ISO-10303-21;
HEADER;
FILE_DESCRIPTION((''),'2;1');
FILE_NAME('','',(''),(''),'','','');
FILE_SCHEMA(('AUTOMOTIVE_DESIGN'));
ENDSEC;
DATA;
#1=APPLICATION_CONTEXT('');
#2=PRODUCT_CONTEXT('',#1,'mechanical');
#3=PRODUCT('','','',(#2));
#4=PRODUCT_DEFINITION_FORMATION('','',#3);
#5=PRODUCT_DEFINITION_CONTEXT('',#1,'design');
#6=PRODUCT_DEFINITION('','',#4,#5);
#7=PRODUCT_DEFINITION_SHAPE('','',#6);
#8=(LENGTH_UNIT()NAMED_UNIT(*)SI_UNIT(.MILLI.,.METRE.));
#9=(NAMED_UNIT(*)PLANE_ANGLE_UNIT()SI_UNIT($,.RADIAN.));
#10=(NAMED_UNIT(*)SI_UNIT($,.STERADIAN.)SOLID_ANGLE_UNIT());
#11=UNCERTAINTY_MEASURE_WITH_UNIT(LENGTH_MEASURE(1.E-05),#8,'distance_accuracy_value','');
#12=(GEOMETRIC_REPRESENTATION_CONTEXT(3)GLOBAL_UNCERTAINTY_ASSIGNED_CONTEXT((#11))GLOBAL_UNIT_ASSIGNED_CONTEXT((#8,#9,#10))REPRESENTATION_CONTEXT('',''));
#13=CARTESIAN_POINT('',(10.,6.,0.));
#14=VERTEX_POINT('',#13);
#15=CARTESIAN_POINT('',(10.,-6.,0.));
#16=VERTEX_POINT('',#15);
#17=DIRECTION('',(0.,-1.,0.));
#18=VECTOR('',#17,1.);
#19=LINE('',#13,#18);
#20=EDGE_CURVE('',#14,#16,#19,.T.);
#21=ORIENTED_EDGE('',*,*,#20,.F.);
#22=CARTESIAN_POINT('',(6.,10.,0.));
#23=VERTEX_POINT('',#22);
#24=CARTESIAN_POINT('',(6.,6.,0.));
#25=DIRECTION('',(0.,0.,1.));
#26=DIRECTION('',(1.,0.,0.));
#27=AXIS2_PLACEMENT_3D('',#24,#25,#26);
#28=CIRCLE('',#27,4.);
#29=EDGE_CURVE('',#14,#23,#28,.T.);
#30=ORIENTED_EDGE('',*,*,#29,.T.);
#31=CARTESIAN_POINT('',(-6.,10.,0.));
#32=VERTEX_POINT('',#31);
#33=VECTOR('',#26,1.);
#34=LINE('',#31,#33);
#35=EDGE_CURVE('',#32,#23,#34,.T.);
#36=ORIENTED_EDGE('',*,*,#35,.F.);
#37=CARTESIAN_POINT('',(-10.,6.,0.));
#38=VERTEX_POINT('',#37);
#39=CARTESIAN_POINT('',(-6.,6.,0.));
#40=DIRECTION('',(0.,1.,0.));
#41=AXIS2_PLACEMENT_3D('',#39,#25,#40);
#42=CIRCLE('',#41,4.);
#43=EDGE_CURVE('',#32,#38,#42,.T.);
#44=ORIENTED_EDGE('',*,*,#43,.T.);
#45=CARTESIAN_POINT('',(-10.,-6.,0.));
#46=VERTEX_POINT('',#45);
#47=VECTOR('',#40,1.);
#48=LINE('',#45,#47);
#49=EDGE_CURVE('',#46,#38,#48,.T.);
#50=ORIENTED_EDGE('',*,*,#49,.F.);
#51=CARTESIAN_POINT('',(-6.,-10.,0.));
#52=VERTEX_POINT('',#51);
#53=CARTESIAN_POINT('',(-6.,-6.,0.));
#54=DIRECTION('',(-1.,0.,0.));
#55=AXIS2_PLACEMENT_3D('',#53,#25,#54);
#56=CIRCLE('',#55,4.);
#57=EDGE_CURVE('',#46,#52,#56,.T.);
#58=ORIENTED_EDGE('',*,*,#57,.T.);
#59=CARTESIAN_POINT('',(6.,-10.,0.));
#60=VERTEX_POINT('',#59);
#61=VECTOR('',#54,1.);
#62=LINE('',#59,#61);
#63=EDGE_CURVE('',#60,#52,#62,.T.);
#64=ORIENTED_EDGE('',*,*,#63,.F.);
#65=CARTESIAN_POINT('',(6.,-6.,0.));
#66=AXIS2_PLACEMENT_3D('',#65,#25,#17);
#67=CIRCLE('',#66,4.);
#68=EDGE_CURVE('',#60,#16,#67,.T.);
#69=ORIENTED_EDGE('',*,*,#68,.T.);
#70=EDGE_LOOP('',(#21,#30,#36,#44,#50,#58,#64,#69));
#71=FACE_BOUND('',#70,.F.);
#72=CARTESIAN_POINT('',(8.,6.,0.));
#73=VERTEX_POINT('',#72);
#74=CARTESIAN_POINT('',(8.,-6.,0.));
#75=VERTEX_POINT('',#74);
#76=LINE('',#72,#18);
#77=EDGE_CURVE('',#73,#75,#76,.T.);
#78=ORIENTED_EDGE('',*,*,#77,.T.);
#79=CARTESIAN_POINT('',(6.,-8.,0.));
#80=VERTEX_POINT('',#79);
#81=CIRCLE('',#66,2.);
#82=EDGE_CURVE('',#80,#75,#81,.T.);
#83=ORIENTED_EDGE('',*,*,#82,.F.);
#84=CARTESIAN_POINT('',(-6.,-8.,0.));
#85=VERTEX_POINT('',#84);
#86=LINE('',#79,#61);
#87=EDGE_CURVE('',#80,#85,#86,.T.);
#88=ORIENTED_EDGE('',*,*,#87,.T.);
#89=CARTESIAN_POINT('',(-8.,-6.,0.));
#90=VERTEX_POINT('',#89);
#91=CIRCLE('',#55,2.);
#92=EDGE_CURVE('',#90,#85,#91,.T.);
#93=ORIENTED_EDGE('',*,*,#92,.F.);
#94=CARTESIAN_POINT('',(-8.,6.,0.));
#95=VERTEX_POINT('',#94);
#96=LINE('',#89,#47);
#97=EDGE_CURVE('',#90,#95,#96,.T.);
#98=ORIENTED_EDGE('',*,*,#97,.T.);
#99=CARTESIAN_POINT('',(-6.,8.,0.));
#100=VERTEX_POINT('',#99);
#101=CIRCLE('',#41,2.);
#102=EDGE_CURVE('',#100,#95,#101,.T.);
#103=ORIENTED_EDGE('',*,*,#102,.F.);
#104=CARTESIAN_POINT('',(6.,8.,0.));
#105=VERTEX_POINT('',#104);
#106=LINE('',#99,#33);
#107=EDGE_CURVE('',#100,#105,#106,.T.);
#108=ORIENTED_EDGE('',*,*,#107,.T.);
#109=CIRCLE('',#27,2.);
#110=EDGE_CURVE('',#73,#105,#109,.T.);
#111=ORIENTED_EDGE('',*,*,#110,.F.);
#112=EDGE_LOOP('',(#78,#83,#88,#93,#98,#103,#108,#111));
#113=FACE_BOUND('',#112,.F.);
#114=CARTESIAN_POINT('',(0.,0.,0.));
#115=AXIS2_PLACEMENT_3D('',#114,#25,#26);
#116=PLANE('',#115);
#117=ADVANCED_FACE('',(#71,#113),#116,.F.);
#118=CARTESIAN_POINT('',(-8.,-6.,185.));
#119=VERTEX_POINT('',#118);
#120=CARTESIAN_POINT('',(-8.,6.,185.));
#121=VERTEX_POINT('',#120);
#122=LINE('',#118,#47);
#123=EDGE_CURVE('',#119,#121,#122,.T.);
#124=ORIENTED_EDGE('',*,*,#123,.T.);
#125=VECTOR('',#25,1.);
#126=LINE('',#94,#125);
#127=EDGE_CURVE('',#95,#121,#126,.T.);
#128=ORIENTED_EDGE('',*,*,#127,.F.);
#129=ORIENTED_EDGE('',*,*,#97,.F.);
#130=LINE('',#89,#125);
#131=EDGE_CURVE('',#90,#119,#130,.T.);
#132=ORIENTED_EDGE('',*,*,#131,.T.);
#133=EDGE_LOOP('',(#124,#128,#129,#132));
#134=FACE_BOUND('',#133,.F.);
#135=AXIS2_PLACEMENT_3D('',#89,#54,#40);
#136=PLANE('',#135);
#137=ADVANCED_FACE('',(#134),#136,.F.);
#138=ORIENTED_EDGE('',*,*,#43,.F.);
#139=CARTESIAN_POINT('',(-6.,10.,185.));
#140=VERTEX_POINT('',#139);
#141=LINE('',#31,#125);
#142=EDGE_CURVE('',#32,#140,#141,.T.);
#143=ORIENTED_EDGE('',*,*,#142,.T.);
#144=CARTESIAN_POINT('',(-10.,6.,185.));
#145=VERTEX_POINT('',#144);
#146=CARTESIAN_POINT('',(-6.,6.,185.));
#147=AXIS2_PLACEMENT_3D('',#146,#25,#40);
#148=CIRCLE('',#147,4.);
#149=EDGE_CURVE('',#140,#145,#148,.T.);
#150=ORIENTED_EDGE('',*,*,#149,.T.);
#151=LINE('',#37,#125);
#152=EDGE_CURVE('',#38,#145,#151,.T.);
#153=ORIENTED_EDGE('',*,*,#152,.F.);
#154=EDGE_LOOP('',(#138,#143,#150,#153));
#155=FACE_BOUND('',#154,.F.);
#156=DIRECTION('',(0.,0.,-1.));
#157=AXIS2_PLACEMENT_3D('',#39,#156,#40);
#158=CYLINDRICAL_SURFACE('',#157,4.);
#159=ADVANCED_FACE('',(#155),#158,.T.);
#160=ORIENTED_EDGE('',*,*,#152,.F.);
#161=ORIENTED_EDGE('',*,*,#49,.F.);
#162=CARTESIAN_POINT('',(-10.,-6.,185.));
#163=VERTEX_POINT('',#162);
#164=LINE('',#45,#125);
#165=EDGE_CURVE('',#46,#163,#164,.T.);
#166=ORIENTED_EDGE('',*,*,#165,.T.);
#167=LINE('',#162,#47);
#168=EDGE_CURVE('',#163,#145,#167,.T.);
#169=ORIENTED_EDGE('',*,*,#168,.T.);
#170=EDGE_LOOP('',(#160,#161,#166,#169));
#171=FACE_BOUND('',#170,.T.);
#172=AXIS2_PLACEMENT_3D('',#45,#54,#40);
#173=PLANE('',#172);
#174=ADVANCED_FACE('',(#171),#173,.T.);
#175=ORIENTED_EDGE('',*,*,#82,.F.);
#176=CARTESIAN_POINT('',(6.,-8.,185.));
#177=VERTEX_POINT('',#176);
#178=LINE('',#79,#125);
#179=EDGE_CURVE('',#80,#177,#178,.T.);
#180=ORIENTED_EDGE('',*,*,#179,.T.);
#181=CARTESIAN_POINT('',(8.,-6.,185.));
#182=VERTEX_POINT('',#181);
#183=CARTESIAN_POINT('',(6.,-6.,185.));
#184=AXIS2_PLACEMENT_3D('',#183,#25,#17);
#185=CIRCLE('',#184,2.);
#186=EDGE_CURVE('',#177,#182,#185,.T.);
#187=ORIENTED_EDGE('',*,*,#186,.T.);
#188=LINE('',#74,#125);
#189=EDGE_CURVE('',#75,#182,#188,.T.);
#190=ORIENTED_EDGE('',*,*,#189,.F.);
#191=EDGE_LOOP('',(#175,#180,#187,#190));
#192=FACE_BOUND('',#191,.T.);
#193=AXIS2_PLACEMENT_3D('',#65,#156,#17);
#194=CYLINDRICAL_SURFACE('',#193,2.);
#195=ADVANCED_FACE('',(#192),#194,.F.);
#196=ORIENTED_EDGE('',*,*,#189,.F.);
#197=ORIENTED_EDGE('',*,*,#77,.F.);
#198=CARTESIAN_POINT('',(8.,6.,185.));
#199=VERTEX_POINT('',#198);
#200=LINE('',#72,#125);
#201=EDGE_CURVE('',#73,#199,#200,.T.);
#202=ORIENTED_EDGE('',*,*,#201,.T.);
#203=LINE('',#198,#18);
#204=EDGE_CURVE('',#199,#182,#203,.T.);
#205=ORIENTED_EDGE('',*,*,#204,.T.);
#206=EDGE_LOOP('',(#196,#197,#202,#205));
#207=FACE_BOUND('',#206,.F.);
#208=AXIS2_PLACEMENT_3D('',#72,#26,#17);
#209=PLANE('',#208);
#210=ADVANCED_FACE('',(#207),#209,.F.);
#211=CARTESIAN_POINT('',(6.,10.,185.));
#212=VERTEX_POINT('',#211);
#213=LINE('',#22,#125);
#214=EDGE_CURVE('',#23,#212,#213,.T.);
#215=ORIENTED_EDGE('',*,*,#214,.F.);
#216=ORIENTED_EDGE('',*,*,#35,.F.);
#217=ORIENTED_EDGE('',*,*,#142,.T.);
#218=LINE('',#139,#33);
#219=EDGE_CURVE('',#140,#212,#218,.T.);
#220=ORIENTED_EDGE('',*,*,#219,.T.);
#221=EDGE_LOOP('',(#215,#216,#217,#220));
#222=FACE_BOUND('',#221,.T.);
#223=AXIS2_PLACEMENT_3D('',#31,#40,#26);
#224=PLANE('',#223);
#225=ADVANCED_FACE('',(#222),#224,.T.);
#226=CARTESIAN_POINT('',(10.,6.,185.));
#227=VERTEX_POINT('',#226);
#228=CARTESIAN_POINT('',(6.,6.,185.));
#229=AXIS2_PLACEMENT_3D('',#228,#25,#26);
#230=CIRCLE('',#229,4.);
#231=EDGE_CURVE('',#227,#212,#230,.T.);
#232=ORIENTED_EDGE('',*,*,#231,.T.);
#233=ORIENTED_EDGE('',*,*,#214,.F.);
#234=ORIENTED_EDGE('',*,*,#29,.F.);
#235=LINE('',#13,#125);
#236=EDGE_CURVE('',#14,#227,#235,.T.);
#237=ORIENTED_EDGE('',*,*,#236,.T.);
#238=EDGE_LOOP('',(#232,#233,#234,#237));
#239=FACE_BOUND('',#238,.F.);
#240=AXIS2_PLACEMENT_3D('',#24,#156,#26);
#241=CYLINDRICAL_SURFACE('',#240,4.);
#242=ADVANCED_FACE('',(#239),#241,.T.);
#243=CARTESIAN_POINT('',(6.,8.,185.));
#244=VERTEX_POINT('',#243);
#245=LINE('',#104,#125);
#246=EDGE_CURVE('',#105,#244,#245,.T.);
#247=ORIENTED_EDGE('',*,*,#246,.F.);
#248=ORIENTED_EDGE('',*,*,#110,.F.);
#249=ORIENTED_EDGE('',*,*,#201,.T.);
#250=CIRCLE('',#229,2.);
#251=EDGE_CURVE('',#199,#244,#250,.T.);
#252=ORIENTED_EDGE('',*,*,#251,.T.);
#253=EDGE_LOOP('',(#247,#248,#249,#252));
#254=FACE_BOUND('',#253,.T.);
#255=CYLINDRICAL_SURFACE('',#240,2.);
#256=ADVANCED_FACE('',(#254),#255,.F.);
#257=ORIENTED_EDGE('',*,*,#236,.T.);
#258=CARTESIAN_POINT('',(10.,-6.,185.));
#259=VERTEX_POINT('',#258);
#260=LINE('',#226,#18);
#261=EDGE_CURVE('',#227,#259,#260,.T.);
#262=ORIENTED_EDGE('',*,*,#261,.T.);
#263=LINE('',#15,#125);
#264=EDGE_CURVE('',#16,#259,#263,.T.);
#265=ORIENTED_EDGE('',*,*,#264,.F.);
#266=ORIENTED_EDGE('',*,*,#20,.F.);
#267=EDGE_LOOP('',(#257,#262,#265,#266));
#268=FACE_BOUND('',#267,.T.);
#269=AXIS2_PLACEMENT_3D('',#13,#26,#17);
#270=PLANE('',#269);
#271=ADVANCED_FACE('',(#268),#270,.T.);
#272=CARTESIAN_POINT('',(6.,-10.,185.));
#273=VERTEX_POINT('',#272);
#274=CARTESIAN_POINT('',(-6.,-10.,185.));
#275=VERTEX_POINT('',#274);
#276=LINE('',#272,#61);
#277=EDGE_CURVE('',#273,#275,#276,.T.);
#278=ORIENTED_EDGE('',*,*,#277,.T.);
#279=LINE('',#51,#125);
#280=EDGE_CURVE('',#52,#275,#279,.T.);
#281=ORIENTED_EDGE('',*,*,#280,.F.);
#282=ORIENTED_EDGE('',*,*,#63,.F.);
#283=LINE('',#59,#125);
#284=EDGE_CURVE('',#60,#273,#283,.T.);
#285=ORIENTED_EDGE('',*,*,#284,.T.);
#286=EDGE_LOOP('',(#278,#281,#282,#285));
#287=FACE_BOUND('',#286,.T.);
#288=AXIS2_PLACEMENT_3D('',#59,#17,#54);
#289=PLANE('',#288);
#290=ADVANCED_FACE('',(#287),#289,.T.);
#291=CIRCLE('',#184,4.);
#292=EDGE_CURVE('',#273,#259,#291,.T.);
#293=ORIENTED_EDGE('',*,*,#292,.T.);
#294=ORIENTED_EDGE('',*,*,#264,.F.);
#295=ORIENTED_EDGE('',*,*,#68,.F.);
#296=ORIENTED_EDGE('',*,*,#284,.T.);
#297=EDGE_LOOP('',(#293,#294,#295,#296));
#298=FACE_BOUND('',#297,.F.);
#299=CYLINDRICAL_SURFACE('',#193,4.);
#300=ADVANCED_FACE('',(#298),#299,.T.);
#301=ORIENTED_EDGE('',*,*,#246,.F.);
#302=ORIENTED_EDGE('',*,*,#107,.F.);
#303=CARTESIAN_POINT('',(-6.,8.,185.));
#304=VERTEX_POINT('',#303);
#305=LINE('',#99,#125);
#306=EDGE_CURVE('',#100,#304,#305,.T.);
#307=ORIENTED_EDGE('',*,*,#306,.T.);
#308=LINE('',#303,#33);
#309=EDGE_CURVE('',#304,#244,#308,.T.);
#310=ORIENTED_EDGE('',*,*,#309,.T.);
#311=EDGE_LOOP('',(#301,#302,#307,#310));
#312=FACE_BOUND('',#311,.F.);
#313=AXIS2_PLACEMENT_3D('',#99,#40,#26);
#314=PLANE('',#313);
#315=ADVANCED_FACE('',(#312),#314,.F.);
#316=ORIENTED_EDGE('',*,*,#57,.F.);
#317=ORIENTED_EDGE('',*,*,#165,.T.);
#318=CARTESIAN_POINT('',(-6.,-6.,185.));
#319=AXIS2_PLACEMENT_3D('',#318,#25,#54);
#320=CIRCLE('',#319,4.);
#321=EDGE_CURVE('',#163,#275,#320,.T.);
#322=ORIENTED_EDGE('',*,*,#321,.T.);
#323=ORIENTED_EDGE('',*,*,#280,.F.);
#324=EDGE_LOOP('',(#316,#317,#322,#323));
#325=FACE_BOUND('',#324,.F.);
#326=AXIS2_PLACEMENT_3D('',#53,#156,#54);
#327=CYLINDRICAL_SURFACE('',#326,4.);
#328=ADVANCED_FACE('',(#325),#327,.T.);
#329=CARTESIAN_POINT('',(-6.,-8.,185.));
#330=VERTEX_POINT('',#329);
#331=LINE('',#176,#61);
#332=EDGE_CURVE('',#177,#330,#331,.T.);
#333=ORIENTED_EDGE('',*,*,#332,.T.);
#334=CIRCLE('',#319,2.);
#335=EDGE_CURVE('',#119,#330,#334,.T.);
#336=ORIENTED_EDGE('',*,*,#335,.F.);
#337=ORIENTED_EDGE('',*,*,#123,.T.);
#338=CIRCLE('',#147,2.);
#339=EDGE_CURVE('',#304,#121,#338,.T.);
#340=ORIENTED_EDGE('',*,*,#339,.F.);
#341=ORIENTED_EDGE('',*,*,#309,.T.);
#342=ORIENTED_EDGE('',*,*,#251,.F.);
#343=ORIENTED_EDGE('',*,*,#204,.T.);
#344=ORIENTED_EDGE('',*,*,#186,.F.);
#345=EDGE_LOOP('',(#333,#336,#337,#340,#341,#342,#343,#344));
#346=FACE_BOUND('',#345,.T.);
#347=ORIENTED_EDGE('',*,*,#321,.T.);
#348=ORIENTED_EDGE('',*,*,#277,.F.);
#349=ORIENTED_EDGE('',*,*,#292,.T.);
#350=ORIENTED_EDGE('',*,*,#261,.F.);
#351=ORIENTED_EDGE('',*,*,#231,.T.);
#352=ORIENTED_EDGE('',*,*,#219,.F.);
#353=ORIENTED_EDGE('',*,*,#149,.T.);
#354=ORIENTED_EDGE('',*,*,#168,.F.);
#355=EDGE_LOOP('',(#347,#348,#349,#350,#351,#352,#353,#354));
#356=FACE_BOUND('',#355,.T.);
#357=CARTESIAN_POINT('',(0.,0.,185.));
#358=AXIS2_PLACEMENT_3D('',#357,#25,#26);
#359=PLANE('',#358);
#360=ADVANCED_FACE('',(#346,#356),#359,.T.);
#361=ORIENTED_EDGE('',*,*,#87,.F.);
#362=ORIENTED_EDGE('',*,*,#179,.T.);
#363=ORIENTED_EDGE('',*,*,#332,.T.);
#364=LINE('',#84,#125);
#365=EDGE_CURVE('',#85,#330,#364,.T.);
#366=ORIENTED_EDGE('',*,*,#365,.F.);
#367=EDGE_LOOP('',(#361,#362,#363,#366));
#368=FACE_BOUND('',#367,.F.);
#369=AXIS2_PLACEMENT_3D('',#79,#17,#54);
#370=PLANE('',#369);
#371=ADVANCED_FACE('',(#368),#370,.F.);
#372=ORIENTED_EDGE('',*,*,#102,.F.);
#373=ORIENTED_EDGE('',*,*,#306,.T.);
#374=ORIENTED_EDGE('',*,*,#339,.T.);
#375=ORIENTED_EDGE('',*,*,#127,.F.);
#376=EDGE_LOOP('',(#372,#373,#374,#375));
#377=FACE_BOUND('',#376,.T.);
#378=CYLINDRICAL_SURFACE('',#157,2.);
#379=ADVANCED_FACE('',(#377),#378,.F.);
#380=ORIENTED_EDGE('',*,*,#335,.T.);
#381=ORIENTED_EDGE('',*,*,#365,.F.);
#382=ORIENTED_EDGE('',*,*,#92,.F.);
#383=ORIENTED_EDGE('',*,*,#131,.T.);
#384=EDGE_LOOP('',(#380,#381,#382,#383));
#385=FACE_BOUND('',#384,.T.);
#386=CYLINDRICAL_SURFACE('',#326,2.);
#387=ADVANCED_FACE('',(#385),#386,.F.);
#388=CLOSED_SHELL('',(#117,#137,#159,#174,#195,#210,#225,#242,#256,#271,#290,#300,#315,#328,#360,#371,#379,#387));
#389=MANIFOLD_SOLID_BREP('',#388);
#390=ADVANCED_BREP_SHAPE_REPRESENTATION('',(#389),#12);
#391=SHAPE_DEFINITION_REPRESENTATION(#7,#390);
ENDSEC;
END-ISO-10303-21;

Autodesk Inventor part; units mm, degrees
ref_plane "YZ Plane" through (0, 0, 0) normal (1, 0, 0) x (0, 1, 0)
ref_plane "Start Plane" through (0, 0, 0) normal (0, 0, 1) x (1, 0, 0)
ref_plane "End Plane" through (0, 0, 185) normal (0, 0, 1) x (1, 0, 0)
sketch "Sketch" plane through (0, 0, 0) normal (0, 0, 1) x (1, 0, 0)
  line L0 (-10, -6) -> (-10, 6)
  line L1 (-6, 10) -> (6, 10)
  line L2 (10, 6) -> (10, -6)
  line L3 (6, -10) -> (-6, -10)
  arc A0 (-10, -6) -> (-6, -10) centre (-6, -6) ccw
  arc A1 (-6, 10) -> (-10, 6) centre (-6, 6) ccw
  arc A2 (10, 6) -> (6, 10) centre (6, 6) ccw
  arc A3 (6, -10) -> (10, -6) centre (6, -6) ccw
  arc A4 (-6, 8) -> (-8, 6) centre (-6, 6) ccw
  line L4 (-6, 8) -> (6, 8)
  arc A5 (8, 6) -> (6, 8) centre (6, 6) ccw
  line L5 (8, 6) -> (8, -6)
  arc A6 (6, -8) -> (8, -6) centre (6, -6) ccw
  line L6 (6, -8) -> (-6, -8)
  arc A7 (-8, -6) -> (-6, -8) centre (-6, -6) ccw
  line L7 (-8, -6) -> (-8, 6)
  line L8 (0, 15.1598) -> (0, -15.1598) construction
  line L9 (-15.1598, 0) -> (15.1598, 0) construction
  dimension "d7" = 4
  dimension "d10" = 20
  dimension "d11" = 20
  dimension "d12" = 2
  dimension "d15" = 10
  dimension "d16" = 10
extrude "Body" add sketch "Sketch" along normal up to surface (185 mm away) from surface at 0
sketch "Sketch3" plane through (0, 0, 0) normal (0, 0, 1) x (1, 0, 0)
  line L0 (0, 0) -> (10, 0)
ref_plane "Work Plane3" through (0, 0, 0) normal (0, -1, 0) x (1, 0, 0)
sketch "Sketch4" plane through (0, 0, 0) normal (0, -1, 0) x (1, 0, 0)
  line L0 (-2, 0) -> (12, 0)
  line L1 (-2, 185) -> (12, 185)
  dimension "d18" = 185
equation "\"d7\" = G_IR"
equation "\"d10\" = G_H"
equation "\"d11\" = G_W"
equation "\"d12\" = G_T"
equation "\"d15\" = 0.5 * d10"
equation "\"d16\" = 0.5 * d11"
equation "\"d3\" = G_L"
equation "\"G_W\" = 20"
equation "\"G_H\" = 20"
equation "\"G_T\" = 2"
equation "\"G_IR\" = 4"
equation "\"G_L\" = d18"
equation "\"G_OFFSET_START\" = 0"
equation "\"G_OFFSET_END\" = 0"
equation "\"d14\" = G_OFFSET_END + B_L"
equation "\"B_L\" = 185"
properties part number "BS 4848 - 20 x 20 x 2 HFRHS - 185" material "Steel, Mild"
